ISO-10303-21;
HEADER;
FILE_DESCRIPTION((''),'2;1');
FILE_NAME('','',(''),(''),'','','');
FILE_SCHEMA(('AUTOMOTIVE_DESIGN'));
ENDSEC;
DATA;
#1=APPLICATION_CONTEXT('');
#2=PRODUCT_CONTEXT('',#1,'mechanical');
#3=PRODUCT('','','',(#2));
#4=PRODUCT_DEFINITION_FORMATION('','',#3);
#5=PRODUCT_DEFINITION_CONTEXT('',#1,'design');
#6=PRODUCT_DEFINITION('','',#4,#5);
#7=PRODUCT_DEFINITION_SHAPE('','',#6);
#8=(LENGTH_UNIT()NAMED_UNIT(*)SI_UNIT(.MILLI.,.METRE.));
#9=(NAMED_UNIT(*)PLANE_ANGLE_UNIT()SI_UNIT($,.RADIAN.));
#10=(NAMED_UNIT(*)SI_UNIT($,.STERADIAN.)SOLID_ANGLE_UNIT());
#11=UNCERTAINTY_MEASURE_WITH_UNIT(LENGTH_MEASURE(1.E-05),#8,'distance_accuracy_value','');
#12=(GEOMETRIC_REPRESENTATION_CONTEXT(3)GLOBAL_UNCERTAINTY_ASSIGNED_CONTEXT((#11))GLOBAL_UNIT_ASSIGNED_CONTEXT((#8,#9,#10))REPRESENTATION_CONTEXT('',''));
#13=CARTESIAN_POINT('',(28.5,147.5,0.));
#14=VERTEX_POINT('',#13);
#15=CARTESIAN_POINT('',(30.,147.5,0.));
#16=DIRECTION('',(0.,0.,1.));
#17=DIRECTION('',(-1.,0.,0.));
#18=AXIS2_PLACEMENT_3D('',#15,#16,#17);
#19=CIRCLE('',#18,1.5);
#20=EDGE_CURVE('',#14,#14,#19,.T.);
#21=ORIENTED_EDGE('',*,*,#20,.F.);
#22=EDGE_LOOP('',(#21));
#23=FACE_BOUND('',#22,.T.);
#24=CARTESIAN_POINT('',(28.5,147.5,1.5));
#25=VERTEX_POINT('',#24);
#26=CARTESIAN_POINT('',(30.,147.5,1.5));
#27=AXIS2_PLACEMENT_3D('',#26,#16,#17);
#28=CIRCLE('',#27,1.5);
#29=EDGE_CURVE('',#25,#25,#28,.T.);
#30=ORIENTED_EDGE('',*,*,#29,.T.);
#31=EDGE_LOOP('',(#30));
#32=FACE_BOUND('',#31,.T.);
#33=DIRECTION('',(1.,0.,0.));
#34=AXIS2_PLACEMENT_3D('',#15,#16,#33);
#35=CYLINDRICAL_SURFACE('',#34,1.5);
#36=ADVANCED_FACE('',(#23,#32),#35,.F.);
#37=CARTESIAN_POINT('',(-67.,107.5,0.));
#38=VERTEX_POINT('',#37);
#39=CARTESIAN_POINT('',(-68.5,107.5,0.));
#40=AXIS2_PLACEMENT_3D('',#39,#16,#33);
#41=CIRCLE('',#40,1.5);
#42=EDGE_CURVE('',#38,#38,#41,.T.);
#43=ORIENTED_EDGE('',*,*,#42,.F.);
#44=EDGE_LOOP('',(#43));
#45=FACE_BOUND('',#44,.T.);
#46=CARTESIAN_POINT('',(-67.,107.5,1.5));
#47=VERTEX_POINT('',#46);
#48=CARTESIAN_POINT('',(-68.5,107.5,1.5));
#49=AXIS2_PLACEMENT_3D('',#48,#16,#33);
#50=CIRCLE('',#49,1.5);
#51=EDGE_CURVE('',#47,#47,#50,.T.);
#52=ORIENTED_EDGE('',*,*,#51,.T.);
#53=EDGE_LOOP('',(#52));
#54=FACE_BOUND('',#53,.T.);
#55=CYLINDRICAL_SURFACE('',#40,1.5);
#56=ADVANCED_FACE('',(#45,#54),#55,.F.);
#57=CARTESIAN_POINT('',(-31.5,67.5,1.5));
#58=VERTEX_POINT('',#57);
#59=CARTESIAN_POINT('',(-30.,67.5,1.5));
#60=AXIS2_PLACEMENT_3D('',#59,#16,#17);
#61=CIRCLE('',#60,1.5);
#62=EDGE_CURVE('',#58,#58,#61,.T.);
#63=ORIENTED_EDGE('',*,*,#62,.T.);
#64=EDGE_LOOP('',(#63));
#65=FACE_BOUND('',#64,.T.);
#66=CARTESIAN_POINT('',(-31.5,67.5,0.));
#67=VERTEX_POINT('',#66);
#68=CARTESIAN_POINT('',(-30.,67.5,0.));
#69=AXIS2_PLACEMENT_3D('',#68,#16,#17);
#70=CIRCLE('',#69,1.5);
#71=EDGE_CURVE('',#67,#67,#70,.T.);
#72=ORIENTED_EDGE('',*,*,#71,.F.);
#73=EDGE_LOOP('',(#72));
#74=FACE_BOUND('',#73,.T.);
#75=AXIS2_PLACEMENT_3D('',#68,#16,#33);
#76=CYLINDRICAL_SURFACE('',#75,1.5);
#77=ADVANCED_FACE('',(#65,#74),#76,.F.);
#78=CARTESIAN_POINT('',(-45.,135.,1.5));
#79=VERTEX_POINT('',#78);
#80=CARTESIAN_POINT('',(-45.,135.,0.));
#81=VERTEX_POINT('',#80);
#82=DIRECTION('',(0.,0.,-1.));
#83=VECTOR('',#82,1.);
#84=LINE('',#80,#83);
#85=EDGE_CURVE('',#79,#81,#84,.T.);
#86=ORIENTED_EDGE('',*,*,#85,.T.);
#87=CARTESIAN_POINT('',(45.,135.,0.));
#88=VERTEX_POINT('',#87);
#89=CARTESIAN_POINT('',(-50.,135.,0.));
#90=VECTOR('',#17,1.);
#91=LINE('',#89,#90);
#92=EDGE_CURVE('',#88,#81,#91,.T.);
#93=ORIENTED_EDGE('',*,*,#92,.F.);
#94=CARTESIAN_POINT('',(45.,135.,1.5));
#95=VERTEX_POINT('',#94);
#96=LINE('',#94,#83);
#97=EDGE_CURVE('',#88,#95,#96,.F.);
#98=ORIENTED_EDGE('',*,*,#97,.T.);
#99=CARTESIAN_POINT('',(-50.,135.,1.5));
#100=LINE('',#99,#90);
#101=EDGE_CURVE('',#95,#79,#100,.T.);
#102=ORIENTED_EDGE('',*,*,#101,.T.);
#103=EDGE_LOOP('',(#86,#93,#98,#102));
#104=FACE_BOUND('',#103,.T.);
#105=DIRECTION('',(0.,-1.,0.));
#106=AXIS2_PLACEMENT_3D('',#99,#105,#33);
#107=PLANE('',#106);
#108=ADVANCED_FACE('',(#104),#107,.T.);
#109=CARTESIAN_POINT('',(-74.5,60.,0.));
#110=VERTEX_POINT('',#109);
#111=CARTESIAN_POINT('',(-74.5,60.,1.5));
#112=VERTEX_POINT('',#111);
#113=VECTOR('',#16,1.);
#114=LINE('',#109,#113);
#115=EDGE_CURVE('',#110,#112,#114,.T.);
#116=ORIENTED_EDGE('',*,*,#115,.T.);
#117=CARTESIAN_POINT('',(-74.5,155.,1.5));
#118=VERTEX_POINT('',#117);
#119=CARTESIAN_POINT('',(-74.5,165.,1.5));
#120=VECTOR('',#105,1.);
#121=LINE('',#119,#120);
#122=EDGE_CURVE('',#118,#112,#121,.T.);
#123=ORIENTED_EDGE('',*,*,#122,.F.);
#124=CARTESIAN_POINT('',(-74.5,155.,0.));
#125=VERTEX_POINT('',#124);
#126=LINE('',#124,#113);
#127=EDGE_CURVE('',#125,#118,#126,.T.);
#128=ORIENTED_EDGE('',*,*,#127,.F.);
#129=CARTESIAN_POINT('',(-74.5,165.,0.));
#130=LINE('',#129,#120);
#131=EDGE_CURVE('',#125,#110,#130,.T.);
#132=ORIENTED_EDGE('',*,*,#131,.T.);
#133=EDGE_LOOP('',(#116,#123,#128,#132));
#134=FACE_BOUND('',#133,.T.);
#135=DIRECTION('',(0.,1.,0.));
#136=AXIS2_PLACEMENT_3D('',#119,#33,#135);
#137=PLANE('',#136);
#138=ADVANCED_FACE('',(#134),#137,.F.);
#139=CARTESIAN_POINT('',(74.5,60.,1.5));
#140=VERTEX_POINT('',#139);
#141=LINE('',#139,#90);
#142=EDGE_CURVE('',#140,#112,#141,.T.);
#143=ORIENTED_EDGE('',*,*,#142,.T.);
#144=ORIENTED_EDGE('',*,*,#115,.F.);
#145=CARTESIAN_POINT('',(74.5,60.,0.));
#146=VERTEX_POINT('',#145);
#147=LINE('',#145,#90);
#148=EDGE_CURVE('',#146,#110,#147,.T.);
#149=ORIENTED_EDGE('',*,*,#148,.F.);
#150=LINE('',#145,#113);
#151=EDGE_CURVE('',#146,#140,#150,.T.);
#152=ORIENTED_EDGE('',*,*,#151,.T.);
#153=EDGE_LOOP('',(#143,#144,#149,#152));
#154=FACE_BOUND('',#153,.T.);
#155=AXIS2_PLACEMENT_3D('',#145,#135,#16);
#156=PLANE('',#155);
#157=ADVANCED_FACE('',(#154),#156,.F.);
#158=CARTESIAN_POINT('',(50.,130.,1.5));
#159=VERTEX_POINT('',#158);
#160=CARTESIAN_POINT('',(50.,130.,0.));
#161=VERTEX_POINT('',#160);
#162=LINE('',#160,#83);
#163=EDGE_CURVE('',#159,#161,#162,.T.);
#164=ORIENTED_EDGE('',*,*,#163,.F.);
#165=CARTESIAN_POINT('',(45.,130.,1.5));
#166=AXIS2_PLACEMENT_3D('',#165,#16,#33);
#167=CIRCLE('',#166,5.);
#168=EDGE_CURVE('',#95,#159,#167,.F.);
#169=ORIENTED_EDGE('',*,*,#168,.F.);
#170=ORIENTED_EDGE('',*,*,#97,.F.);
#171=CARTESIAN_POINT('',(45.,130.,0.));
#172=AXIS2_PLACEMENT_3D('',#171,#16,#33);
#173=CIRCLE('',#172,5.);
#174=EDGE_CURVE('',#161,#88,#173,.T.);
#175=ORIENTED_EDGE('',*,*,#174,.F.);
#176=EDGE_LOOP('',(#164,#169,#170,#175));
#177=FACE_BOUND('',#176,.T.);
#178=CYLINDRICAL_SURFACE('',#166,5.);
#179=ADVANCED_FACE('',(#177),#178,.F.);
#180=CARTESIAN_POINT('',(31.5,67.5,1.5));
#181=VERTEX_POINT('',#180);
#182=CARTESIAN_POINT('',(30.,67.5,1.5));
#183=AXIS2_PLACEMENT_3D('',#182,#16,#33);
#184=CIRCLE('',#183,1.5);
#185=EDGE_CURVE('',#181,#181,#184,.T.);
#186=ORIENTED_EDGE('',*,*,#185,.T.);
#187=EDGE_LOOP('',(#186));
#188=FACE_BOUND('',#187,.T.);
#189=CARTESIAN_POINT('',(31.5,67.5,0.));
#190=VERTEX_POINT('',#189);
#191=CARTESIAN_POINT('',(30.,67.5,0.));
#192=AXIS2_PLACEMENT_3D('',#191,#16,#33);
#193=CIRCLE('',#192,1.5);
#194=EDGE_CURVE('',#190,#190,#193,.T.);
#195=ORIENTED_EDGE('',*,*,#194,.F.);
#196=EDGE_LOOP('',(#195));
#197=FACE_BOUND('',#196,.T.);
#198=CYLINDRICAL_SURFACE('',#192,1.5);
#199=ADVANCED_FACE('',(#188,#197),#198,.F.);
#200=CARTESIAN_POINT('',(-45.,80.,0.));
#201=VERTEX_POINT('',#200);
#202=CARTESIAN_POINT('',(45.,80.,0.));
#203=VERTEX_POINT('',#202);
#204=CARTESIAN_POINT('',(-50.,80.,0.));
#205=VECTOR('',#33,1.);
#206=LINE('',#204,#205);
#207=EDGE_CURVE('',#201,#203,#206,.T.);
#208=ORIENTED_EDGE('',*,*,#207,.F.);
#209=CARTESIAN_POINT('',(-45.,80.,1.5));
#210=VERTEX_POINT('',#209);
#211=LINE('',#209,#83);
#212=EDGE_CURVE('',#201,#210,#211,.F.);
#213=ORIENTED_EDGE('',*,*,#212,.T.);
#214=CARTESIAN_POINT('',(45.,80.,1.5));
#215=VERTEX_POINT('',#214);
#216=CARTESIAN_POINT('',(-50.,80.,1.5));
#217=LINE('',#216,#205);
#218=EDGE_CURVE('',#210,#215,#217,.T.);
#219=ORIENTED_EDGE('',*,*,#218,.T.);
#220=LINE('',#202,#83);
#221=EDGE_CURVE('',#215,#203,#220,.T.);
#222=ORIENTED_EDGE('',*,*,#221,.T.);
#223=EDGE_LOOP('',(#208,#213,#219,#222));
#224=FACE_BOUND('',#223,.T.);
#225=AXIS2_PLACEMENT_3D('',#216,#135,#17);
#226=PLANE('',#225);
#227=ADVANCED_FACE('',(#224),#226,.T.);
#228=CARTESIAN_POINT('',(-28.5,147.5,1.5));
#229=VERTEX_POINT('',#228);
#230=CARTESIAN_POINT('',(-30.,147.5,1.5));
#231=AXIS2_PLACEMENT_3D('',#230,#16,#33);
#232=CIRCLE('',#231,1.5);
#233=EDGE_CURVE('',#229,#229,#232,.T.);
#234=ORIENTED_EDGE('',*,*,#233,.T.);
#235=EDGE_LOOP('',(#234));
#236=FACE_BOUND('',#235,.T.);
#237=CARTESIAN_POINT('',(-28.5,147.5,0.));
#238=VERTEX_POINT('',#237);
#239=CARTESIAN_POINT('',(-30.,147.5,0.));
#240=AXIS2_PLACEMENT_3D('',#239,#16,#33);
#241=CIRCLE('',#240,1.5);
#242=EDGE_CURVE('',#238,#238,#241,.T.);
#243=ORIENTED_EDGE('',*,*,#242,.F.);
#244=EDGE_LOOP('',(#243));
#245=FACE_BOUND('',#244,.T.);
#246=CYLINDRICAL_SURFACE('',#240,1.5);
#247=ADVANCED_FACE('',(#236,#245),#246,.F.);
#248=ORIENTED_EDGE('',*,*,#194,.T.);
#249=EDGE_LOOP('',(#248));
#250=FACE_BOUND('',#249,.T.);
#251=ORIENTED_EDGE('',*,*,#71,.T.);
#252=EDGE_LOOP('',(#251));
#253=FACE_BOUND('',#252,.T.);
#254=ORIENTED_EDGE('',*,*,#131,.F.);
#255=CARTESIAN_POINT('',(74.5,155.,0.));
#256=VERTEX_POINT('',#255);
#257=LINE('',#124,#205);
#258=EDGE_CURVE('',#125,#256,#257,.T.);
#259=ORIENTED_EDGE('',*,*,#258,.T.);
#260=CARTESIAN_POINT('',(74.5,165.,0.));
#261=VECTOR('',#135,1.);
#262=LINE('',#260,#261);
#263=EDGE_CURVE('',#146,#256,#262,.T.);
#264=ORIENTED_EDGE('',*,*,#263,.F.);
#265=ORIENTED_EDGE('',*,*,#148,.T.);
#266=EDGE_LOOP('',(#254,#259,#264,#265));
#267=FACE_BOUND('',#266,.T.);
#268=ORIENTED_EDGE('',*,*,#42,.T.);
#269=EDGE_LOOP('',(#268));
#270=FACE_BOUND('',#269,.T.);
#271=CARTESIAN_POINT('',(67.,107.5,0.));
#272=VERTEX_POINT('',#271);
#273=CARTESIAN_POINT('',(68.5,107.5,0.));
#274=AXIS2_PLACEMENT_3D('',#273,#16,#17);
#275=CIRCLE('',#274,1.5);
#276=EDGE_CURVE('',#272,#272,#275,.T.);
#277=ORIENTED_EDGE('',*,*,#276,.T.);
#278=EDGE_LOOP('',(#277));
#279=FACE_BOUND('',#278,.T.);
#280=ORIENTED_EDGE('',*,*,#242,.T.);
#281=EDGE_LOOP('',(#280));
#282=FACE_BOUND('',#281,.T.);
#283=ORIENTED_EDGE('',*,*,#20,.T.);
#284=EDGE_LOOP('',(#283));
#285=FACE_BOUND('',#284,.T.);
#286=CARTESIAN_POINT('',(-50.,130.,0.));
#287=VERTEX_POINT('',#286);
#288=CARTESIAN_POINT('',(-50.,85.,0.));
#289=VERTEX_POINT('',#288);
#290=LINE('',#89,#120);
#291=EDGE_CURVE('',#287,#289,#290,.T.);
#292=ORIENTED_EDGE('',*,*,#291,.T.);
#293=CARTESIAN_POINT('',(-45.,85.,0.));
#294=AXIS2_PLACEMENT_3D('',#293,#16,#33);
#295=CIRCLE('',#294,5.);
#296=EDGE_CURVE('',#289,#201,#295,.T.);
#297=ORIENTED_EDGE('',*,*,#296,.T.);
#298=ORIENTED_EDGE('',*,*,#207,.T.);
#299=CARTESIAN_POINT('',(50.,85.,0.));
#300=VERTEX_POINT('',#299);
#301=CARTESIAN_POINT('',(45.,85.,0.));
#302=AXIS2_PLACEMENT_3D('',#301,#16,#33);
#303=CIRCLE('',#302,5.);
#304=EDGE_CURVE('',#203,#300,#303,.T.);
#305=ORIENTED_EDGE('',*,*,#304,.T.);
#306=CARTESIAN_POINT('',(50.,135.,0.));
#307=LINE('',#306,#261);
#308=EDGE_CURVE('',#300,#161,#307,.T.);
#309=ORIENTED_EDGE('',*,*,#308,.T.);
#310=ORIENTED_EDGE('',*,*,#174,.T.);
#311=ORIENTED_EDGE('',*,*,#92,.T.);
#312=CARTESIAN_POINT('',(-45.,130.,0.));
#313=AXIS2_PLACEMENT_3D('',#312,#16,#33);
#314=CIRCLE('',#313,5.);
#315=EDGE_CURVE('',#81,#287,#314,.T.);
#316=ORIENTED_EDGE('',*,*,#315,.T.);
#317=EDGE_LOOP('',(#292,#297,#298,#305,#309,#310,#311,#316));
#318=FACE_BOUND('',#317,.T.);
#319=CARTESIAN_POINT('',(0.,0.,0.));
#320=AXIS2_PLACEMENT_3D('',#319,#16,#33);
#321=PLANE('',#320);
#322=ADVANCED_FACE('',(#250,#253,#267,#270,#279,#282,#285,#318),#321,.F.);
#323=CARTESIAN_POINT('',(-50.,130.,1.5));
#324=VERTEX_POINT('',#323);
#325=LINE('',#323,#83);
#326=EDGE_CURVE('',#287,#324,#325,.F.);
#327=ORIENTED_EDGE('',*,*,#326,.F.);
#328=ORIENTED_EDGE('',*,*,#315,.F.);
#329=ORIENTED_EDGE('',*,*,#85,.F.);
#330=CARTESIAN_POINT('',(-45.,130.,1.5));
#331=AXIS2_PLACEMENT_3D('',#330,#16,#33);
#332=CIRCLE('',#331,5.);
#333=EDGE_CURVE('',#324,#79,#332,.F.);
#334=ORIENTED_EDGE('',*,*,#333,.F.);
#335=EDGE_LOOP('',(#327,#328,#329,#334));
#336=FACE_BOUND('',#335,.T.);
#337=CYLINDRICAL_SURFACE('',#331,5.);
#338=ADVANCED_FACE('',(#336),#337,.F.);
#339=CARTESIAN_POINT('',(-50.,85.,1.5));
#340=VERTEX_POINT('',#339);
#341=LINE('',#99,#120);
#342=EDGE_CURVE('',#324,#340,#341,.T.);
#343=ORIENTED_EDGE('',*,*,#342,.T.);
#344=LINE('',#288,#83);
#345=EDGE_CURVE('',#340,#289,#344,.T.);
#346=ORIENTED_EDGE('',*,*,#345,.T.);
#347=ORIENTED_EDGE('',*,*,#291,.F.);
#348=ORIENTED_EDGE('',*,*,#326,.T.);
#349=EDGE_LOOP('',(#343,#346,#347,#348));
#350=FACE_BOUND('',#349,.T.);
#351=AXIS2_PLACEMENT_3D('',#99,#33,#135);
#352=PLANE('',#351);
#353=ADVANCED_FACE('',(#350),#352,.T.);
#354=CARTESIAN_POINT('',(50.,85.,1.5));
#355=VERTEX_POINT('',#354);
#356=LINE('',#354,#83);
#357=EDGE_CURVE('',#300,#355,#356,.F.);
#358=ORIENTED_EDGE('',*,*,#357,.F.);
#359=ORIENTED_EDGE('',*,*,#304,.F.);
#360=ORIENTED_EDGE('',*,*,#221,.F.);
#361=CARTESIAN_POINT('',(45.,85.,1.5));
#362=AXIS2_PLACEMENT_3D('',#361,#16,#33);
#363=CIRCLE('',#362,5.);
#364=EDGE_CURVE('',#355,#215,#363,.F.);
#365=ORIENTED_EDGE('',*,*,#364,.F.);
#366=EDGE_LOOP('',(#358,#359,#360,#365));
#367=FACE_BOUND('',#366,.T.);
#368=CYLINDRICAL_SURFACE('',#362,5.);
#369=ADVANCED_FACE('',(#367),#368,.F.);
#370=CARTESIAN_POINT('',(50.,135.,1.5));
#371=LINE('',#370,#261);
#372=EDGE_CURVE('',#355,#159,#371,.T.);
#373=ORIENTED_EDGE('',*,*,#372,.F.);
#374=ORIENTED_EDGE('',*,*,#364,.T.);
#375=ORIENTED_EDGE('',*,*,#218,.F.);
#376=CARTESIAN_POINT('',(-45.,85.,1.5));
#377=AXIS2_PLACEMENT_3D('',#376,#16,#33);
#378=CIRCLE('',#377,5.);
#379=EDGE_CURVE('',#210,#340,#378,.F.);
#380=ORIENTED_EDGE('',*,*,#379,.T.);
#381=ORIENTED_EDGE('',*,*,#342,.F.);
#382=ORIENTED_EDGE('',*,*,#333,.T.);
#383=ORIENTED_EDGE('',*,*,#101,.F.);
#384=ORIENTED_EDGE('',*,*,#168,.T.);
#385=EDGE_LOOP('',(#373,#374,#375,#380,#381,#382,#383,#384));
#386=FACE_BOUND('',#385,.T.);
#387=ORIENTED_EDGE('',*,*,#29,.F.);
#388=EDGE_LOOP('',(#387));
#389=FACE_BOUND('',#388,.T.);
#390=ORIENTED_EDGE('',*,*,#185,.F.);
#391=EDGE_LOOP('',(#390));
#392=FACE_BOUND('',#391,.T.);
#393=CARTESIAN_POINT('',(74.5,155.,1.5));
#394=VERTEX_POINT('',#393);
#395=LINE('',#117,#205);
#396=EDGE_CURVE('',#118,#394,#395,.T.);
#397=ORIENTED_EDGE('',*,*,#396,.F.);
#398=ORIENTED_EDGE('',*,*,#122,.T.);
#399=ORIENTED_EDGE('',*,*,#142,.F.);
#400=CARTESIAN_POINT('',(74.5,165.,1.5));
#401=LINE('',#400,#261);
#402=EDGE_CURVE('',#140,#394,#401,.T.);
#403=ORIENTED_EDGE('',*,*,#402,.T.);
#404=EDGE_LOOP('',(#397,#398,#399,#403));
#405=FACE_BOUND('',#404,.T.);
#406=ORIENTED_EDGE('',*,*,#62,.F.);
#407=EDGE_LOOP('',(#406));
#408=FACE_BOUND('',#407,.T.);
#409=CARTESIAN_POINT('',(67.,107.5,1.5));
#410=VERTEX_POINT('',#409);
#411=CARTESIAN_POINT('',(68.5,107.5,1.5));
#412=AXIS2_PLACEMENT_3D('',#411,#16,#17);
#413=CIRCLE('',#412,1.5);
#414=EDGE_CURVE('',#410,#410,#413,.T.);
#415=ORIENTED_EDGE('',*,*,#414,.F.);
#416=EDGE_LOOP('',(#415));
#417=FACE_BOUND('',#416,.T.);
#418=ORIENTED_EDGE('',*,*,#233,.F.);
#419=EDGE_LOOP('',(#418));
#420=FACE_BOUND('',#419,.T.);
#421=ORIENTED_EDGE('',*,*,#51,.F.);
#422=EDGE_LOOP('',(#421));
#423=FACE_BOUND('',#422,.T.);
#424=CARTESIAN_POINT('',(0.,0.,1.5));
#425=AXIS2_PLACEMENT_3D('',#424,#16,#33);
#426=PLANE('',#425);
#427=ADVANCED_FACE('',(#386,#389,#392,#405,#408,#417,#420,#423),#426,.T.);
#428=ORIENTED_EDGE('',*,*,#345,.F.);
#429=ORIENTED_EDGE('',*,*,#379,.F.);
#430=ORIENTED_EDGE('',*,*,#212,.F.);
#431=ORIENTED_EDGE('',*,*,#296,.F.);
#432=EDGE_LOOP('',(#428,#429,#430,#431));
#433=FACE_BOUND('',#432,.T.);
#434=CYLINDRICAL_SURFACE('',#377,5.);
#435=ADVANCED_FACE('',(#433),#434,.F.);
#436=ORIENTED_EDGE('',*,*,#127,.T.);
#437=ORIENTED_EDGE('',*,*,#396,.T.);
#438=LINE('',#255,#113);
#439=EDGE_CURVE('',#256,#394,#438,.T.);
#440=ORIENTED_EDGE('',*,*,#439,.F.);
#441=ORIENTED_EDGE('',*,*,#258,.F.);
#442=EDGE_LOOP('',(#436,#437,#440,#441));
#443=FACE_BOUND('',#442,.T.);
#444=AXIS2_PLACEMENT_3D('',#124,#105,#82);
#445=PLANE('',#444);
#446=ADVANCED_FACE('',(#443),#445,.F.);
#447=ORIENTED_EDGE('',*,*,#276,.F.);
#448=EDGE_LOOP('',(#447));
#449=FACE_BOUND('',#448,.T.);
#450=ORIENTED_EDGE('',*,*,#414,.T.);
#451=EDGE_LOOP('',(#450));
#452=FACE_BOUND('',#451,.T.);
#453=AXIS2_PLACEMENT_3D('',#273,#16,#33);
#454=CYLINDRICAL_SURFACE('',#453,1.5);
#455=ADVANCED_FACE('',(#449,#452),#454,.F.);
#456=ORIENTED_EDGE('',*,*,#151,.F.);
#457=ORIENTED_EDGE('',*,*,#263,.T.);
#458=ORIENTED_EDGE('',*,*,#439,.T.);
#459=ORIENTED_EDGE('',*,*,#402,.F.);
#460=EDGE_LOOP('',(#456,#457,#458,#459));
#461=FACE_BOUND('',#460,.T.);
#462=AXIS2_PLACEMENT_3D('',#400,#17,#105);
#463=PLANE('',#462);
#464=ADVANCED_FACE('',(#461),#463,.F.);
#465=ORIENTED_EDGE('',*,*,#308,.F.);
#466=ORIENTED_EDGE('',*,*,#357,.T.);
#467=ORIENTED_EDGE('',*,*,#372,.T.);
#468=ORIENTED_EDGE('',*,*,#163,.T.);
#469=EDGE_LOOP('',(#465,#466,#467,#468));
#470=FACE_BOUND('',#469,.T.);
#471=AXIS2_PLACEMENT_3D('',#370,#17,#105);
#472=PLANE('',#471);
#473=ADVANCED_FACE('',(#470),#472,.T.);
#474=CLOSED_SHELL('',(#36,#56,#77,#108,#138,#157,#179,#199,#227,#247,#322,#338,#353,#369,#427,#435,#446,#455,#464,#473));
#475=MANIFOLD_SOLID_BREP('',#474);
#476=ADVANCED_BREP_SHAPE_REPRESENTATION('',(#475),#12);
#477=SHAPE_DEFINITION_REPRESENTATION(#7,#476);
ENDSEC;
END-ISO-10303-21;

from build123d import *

# Parameters (mm, degrees)
ESQUISSE1_W             = 149
ESQUISSE1_H             = 165
ESQUISSE1_W_2           = 100
ESQUISSE1_H_2           = 55
BOSS_EXTRU_1_DEPTH      = 1.5
CONG_1_R                = 5
ESQUISSE2_R             = 1.5
ENL_V_MAT_EXTRU_1_DEPTH = 182.045574373
ESQUISSE3_R             = 1.5
ESQUISSE3_W             = 149
ESQUISSE3_H             = 10
ESQUISSE3_H_2           = 60
ENL_V_MAT_EXTRU_2_DEPTH = 182.045574373


with BuildPart() as part:
    # Esquisse1 → Boss.-Extru.1 (new body)
    with BuildSketch(Plane.XY):
        with Locations((0, 82.5)):
            Rectangle(ESQUISSE1_W, ESQUISSE1_H)
        with Locations((0, 107.5)):
            Rectangle(ESQUISSE1_W_2, ESQUISSE1_H_2, mode=Mode.SUBTRACT)
    extrude(amount=BOSS_EXTRU_1_DEPTH)

    # Congé1
    cong_1_edges = [part.edges().sort_by_distance(p)[0] for p in [
        (-50, 135, 0.75),
        (-50, 80, 0.75),
        (50, 80, 0.75),
        (50, 135, 0.75),
    ]]
    fillet(cong_1_edges, radius=CONG_1_R)

    # Esquisse2 → Enlèv. mat.-Extru.1 (cut, through all)
    with BuildSketch(Plane.XY.offset(1.5)):
        with Locations((-30, 147.5)):
            Circle(ESQUISSE2_R)
        with Locations(Location((-30, 67.5, 0), (0, 0, 180))):
            Circle(ESQUISSE2_R)
        with Locations((30, 67.5)):
            Circle(ESQUISSE2_R)
        with Locations(Location((30, 147.5, 0), (0, 0, 180))):
            Circle(ESQUISSE2_R)
        with Locations((-55, 160)):
            Circle(ESQUISSE2_R)
        with Locations(Location((-55, 5, 0), (0, 0, 180))):
            Circle(ESQUISSE2_R)
        with Locations((55, 5)):
            Circle(ESQUISSE2_R)
        with Locations(Location((55, 160, 0), (0, 0, 180))):
            Circle(ESQUISSE2_R)
    extrude(amount=-ENL_V_MAT_EXTRU_1_DEPTH, mode=Mode.SUBTRACT)

    # Esquisse3 → Enlèv. mat.-Extru.2 (cut, through all)
    with BuildSketch(Plane.XY.offset(1.5)):
        with Locations((-68.5, 107.5)):
            Circle(ESQUISSE3_R)
        with Locations(Location((68.5, 107.5, 0), (0, 0, 180))):
            Circle(ESQUISSE3_R)
        with Locations((0, 160)):
            Rectangle(ESQUISSE3_W, ESQUISSE3_H)
        with Locations((0, 30)):
            Rectangle(ESQUISSE3_W, ESQUISSE3_H_2)
    extrude(amount=-ENL_V_MAT_EXTRU_2_DEPTH, mode=Mode.SUBTRACT)


solid = part.part
